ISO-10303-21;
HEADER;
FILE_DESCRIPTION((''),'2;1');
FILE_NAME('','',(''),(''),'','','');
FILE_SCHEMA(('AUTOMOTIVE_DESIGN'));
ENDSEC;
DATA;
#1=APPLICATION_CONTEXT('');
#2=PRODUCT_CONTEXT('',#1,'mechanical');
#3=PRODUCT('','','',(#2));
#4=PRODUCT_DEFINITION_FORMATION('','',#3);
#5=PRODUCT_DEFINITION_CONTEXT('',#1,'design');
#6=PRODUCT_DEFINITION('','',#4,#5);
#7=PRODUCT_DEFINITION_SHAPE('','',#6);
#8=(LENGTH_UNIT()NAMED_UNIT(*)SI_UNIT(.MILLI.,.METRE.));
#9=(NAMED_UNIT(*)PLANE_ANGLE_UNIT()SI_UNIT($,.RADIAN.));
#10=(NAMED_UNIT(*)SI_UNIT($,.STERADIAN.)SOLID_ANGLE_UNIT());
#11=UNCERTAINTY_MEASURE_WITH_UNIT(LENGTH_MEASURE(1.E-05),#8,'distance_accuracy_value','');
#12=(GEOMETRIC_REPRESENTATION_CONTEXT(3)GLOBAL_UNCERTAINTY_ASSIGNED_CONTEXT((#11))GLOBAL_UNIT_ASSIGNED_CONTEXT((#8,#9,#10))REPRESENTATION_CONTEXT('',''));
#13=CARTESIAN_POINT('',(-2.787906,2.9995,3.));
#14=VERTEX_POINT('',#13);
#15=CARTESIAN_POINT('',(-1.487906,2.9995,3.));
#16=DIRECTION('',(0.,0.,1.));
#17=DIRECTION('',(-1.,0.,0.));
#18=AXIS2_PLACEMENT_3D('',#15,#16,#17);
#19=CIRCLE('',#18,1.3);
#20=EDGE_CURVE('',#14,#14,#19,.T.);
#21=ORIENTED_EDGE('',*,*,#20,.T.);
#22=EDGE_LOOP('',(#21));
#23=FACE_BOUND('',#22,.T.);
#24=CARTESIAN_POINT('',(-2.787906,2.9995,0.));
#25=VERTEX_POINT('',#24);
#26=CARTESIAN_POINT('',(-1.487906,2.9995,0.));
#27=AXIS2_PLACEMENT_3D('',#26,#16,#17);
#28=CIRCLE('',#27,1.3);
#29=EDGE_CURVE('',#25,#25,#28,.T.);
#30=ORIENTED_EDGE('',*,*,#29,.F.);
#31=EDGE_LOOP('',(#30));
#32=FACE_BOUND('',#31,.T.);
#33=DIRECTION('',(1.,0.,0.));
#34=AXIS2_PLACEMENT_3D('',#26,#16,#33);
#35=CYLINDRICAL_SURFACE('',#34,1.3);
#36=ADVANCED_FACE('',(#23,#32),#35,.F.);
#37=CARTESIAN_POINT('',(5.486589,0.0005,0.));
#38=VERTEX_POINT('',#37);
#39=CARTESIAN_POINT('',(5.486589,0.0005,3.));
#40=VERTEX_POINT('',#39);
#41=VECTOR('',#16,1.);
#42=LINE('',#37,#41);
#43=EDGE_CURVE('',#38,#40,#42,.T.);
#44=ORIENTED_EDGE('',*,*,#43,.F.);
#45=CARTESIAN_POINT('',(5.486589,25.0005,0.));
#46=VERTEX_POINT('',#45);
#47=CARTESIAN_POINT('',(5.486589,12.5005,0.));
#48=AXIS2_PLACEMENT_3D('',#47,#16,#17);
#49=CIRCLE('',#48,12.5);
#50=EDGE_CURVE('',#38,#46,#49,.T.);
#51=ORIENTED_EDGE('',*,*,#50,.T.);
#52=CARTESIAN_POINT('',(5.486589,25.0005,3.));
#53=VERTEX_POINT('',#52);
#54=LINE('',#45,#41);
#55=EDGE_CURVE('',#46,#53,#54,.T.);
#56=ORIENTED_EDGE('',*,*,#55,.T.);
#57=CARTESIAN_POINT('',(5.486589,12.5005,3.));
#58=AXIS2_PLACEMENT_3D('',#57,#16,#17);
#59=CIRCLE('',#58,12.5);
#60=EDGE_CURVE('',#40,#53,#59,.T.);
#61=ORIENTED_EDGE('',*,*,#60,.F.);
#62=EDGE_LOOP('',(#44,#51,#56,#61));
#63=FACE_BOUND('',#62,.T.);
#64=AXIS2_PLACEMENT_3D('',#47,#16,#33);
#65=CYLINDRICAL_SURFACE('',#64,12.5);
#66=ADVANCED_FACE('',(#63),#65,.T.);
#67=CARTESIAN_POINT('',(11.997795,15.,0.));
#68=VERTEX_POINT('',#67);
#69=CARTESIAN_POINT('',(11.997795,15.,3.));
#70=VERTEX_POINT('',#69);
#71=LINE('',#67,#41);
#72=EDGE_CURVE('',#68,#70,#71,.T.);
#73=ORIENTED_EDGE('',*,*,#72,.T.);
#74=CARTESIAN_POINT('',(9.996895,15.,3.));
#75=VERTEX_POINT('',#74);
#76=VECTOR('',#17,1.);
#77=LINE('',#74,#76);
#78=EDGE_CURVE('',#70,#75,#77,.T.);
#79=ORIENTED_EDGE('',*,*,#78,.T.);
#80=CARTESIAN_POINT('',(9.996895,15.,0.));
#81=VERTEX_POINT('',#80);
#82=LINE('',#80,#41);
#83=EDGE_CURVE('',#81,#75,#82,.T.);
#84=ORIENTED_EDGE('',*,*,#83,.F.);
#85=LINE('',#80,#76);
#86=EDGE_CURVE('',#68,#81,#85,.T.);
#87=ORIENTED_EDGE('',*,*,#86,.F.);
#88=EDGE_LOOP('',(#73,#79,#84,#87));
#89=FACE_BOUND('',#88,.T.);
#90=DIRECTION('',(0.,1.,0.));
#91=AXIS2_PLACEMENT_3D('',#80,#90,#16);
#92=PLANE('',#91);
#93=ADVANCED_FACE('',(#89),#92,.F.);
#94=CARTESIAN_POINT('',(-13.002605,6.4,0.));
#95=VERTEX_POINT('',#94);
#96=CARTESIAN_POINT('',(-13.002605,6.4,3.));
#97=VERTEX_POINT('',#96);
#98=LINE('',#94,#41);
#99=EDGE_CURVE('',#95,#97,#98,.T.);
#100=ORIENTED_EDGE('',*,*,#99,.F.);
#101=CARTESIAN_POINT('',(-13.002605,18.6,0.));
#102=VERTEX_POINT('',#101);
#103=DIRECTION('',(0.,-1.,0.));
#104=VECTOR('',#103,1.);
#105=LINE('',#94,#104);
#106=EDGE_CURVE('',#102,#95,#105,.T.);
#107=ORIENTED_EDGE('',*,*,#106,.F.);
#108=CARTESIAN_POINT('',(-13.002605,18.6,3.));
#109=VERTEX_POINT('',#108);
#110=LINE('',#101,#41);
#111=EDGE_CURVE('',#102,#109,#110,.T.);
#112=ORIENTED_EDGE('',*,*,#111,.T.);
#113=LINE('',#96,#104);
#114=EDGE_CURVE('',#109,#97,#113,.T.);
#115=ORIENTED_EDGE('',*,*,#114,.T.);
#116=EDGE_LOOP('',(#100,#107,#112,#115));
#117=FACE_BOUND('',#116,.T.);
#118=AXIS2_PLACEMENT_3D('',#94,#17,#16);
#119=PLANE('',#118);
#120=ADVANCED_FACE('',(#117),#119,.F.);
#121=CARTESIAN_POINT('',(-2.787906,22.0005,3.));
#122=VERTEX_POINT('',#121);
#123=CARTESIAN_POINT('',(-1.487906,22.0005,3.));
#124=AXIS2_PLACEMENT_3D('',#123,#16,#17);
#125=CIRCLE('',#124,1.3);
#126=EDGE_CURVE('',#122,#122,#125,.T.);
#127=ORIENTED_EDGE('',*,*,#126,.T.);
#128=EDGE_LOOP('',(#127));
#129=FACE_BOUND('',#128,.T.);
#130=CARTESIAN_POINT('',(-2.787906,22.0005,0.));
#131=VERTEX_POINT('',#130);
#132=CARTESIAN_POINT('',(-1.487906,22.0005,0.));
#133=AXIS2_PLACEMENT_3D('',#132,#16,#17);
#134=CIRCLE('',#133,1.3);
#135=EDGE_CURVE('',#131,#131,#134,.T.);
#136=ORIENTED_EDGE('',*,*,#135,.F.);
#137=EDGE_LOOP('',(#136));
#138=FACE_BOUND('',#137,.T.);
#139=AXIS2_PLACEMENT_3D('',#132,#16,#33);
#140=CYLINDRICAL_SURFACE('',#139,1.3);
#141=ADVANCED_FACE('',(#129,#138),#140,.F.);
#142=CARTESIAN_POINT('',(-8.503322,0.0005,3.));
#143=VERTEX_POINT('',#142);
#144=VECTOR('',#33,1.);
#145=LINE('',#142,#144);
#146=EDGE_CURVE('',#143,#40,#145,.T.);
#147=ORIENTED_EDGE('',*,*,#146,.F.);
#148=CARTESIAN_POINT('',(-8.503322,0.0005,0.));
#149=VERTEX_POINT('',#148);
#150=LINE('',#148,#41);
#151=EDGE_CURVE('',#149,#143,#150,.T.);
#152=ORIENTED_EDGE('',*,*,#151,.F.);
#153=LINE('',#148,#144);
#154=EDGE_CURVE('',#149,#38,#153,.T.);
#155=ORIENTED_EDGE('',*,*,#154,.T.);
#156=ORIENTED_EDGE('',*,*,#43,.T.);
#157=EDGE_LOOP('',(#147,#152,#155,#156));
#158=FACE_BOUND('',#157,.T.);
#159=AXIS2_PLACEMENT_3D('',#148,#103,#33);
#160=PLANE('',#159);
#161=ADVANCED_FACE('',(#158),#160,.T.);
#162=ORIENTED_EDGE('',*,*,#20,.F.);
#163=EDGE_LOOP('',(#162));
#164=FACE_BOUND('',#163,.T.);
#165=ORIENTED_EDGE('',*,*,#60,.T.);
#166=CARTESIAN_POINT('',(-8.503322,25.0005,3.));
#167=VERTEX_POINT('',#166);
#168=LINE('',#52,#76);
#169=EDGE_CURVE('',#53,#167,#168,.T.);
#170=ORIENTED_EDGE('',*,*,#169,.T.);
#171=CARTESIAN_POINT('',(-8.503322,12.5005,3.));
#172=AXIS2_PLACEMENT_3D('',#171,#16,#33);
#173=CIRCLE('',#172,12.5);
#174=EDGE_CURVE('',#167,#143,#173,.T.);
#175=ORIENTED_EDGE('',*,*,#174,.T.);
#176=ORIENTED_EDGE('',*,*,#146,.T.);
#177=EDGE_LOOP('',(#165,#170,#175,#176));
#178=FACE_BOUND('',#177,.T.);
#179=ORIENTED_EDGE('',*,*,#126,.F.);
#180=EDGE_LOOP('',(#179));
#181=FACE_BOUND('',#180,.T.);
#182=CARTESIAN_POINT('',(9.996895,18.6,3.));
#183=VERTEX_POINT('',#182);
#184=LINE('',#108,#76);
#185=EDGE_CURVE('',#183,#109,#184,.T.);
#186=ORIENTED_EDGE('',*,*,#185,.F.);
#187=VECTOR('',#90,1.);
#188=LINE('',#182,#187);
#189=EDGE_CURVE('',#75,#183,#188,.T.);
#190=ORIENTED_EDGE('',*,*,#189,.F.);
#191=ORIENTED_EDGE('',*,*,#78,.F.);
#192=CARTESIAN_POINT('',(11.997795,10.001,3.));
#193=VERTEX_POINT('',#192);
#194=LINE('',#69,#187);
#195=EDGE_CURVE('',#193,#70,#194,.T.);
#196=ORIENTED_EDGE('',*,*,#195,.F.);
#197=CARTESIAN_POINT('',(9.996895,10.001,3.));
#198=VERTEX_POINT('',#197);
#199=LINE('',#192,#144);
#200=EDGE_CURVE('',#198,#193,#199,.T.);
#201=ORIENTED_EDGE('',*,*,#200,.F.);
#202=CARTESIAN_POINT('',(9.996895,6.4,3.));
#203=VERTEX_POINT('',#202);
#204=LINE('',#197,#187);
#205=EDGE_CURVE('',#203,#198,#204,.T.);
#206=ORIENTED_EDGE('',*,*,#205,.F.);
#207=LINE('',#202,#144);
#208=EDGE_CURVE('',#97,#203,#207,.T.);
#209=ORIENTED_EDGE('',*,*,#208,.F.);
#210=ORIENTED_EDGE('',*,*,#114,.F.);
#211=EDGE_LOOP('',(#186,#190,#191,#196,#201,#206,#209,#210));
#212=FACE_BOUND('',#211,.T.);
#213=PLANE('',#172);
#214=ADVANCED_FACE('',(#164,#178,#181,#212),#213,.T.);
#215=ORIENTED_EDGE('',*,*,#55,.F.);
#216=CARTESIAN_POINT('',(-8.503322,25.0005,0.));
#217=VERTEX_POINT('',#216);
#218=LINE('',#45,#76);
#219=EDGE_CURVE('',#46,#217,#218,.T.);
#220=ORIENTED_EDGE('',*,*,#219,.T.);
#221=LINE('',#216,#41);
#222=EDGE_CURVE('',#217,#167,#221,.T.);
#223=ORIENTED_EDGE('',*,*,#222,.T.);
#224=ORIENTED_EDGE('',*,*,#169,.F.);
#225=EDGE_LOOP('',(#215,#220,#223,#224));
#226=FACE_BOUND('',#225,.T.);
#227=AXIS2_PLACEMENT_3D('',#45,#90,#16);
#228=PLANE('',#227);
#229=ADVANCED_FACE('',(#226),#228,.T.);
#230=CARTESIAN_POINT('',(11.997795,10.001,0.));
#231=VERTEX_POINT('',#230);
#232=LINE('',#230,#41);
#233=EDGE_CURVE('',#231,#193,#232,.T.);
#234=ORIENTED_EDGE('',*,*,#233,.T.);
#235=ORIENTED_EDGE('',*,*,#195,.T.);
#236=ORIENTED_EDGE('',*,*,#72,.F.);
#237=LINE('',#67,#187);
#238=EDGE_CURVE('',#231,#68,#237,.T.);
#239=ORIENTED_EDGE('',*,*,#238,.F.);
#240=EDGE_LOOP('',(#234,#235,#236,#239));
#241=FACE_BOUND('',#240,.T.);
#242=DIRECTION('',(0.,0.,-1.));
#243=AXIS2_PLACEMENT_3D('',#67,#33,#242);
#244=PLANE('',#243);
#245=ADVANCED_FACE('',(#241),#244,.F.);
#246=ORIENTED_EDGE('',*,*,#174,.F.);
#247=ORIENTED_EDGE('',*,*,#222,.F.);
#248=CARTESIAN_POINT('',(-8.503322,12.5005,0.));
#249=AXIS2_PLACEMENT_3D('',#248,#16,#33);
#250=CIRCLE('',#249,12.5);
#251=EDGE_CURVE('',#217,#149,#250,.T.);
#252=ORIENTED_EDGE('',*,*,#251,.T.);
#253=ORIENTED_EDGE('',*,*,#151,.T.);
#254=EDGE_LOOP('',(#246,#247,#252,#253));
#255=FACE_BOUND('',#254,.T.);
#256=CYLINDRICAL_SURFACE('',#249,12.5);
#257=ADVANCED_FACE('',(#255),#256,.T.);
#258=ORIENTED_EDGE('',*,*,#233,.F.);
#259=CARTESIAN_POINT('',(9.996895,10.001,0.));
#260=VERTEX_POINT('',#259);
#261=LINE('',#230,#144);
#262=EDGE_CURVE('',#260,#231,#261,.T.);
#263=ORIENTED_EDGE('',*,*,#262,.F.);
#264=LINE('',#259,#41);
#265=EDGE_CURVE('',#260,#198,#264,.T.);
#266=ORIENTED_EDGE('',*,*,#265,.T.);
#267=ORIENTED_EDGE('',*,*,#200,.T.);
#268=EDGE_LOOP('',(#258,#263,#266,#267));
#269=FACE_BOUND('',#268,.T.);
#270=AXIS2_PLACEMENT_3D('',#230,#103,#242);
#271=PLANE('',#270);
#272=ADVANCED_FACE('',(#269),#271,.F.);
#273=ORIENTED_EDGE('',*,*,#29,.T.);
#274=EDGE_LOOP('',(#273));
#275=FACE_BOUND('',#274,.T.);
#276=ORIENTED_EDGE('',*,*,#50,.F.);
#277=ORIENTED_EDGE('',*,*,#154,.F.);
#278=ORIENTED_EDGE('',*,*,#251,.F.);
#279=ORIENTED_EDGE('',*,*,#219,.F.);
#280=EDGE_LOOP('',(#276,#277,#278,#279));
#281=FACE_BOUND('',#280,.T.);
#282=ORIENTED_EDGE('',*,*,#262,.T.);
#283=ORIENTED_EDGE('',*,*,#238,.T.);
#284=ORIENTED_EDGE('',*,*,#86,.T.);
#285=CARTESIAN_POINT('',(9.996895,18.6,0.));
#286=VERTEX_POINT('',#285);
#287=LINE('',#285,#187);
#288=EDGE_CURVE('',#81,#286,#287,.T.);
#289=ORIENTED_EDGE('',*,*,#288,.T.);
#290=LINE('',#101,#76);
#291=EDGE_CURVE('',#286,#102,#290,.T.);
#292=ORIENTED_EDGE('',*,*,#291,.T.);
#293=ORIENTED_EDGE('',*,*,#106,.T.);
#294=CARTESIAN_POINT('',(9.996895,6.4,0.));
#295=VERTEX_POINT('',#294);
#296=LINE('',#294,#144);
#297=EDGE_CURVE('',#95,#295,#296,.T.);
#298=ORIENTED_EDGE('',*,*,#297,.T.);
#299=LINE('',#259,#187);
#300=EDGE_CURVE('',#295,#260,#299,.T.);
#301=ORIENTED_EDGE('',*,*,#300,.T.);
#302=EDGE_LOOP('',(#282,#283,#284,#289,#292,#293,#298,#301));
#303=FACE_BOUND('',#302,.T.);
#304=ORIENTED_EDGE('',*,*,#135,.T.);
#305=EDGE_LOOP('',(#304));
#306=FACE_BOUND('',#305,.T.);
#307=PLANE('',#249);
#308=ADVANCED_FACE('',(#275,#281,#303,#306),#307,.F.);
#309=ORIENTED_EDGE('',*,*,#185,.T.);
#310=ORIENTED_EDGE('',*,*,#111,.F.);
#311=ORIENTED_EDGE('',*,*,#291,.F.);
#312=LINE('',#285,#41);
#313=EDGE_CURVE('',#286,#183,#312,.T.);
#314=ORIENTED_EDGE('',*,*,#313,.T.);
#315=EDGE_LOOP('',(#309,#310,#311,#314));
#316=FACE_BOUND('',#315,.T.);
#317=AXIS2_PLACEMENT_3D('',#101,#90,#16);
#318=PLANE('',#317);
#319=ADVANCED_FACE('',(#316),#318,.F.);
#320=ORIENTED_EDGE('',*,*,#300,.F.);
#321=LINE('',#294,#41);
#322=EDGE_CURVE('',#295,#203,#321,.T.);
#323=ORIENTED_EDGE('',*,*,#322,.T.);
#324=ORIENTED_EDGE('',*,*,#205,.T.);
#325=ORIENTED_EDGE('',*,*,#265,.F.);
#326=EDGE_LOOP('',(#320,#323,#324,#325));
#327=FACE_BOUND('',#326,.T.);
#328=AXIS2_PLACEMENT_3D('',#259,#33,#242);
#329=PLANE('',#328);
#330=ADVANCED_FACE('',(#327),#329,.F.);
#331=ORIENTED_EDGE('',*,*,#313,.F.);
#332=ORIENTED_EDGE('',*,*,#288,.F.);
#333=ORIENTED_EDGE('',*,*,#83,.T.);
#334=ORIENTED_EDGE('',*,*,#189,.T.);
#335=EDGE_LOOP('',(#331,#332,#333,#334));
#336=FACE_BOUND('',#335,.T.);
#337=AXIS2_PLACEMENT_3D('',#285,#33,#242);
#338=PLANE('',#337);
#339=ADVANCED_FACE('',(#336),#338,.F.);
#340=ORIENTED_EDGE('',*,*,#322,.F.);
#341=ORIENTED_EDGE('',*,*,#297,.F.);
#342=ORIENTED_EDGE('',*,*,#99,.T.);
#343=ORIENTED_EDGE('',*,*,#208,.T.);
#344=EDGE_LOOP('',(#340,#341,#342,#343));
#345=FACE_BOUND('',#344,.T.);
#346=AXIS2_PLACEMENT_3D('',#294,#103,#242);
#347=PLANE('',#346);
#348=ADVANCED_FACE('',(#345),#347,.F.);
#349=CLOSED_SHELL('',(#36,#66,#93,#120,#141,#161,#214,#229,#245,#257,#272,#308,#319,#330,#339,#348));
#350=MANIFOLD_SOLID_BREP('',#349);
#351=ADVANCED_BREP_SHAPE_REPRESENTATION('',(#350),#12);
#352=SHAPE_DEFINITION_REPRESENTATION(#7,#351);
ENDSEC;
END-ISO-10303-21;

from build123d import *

# Parameters (mm, degrees)
SKETCH_1_R      = 1.3
EXTRUDE_1_DEPTH = 3


with BuildPart() as part:
    # 草图1 → 凸台-拉伸1 (new body)
    with BuildSketch(Plane.XY.offset(3)):
        with BuildLine():
            Line((-8.503322156, 0.0005), (5.486588529, 0.0005))
            ThreePointArc((5.486588529, 0.0005), (17.986588529, 12.5005), (5.486588529, 25.0005))
            Line((5.486588529, 25.0005), (-8.503322156, 25.0005))
            ThreePointArc((-8.503322156, 25.0005), (-21.003322156, 12.5005), (-8.503322156, 0.0005))
        make_face()
        with Locations(Location((-1.487905971, 2.9995, 0), (0, 0, 180))):
            Circle(SKETCH_1_R, mode=Mode.SUBTRACT)
        with Locations(Location((-1.487905971, 22.0005, 0), (0, 0, 180))):
            Circle(SKETCH_1_R, mode=Mode.SUBTRACT)
        Polygon((11.997794717, 15), (11.997794717, 10.001), (9.996894717, 10.001), (9.996894717, 6.4), (-13.002605283, 6.4), (-13.002605283, 18.6), (9.996894717, 18.6), (9.996894717, 15), align=None, mode=Mode.SUBTRACT)
    extrude(amount=-EXTRUDE_1_DEPTH)


solid = part.part
